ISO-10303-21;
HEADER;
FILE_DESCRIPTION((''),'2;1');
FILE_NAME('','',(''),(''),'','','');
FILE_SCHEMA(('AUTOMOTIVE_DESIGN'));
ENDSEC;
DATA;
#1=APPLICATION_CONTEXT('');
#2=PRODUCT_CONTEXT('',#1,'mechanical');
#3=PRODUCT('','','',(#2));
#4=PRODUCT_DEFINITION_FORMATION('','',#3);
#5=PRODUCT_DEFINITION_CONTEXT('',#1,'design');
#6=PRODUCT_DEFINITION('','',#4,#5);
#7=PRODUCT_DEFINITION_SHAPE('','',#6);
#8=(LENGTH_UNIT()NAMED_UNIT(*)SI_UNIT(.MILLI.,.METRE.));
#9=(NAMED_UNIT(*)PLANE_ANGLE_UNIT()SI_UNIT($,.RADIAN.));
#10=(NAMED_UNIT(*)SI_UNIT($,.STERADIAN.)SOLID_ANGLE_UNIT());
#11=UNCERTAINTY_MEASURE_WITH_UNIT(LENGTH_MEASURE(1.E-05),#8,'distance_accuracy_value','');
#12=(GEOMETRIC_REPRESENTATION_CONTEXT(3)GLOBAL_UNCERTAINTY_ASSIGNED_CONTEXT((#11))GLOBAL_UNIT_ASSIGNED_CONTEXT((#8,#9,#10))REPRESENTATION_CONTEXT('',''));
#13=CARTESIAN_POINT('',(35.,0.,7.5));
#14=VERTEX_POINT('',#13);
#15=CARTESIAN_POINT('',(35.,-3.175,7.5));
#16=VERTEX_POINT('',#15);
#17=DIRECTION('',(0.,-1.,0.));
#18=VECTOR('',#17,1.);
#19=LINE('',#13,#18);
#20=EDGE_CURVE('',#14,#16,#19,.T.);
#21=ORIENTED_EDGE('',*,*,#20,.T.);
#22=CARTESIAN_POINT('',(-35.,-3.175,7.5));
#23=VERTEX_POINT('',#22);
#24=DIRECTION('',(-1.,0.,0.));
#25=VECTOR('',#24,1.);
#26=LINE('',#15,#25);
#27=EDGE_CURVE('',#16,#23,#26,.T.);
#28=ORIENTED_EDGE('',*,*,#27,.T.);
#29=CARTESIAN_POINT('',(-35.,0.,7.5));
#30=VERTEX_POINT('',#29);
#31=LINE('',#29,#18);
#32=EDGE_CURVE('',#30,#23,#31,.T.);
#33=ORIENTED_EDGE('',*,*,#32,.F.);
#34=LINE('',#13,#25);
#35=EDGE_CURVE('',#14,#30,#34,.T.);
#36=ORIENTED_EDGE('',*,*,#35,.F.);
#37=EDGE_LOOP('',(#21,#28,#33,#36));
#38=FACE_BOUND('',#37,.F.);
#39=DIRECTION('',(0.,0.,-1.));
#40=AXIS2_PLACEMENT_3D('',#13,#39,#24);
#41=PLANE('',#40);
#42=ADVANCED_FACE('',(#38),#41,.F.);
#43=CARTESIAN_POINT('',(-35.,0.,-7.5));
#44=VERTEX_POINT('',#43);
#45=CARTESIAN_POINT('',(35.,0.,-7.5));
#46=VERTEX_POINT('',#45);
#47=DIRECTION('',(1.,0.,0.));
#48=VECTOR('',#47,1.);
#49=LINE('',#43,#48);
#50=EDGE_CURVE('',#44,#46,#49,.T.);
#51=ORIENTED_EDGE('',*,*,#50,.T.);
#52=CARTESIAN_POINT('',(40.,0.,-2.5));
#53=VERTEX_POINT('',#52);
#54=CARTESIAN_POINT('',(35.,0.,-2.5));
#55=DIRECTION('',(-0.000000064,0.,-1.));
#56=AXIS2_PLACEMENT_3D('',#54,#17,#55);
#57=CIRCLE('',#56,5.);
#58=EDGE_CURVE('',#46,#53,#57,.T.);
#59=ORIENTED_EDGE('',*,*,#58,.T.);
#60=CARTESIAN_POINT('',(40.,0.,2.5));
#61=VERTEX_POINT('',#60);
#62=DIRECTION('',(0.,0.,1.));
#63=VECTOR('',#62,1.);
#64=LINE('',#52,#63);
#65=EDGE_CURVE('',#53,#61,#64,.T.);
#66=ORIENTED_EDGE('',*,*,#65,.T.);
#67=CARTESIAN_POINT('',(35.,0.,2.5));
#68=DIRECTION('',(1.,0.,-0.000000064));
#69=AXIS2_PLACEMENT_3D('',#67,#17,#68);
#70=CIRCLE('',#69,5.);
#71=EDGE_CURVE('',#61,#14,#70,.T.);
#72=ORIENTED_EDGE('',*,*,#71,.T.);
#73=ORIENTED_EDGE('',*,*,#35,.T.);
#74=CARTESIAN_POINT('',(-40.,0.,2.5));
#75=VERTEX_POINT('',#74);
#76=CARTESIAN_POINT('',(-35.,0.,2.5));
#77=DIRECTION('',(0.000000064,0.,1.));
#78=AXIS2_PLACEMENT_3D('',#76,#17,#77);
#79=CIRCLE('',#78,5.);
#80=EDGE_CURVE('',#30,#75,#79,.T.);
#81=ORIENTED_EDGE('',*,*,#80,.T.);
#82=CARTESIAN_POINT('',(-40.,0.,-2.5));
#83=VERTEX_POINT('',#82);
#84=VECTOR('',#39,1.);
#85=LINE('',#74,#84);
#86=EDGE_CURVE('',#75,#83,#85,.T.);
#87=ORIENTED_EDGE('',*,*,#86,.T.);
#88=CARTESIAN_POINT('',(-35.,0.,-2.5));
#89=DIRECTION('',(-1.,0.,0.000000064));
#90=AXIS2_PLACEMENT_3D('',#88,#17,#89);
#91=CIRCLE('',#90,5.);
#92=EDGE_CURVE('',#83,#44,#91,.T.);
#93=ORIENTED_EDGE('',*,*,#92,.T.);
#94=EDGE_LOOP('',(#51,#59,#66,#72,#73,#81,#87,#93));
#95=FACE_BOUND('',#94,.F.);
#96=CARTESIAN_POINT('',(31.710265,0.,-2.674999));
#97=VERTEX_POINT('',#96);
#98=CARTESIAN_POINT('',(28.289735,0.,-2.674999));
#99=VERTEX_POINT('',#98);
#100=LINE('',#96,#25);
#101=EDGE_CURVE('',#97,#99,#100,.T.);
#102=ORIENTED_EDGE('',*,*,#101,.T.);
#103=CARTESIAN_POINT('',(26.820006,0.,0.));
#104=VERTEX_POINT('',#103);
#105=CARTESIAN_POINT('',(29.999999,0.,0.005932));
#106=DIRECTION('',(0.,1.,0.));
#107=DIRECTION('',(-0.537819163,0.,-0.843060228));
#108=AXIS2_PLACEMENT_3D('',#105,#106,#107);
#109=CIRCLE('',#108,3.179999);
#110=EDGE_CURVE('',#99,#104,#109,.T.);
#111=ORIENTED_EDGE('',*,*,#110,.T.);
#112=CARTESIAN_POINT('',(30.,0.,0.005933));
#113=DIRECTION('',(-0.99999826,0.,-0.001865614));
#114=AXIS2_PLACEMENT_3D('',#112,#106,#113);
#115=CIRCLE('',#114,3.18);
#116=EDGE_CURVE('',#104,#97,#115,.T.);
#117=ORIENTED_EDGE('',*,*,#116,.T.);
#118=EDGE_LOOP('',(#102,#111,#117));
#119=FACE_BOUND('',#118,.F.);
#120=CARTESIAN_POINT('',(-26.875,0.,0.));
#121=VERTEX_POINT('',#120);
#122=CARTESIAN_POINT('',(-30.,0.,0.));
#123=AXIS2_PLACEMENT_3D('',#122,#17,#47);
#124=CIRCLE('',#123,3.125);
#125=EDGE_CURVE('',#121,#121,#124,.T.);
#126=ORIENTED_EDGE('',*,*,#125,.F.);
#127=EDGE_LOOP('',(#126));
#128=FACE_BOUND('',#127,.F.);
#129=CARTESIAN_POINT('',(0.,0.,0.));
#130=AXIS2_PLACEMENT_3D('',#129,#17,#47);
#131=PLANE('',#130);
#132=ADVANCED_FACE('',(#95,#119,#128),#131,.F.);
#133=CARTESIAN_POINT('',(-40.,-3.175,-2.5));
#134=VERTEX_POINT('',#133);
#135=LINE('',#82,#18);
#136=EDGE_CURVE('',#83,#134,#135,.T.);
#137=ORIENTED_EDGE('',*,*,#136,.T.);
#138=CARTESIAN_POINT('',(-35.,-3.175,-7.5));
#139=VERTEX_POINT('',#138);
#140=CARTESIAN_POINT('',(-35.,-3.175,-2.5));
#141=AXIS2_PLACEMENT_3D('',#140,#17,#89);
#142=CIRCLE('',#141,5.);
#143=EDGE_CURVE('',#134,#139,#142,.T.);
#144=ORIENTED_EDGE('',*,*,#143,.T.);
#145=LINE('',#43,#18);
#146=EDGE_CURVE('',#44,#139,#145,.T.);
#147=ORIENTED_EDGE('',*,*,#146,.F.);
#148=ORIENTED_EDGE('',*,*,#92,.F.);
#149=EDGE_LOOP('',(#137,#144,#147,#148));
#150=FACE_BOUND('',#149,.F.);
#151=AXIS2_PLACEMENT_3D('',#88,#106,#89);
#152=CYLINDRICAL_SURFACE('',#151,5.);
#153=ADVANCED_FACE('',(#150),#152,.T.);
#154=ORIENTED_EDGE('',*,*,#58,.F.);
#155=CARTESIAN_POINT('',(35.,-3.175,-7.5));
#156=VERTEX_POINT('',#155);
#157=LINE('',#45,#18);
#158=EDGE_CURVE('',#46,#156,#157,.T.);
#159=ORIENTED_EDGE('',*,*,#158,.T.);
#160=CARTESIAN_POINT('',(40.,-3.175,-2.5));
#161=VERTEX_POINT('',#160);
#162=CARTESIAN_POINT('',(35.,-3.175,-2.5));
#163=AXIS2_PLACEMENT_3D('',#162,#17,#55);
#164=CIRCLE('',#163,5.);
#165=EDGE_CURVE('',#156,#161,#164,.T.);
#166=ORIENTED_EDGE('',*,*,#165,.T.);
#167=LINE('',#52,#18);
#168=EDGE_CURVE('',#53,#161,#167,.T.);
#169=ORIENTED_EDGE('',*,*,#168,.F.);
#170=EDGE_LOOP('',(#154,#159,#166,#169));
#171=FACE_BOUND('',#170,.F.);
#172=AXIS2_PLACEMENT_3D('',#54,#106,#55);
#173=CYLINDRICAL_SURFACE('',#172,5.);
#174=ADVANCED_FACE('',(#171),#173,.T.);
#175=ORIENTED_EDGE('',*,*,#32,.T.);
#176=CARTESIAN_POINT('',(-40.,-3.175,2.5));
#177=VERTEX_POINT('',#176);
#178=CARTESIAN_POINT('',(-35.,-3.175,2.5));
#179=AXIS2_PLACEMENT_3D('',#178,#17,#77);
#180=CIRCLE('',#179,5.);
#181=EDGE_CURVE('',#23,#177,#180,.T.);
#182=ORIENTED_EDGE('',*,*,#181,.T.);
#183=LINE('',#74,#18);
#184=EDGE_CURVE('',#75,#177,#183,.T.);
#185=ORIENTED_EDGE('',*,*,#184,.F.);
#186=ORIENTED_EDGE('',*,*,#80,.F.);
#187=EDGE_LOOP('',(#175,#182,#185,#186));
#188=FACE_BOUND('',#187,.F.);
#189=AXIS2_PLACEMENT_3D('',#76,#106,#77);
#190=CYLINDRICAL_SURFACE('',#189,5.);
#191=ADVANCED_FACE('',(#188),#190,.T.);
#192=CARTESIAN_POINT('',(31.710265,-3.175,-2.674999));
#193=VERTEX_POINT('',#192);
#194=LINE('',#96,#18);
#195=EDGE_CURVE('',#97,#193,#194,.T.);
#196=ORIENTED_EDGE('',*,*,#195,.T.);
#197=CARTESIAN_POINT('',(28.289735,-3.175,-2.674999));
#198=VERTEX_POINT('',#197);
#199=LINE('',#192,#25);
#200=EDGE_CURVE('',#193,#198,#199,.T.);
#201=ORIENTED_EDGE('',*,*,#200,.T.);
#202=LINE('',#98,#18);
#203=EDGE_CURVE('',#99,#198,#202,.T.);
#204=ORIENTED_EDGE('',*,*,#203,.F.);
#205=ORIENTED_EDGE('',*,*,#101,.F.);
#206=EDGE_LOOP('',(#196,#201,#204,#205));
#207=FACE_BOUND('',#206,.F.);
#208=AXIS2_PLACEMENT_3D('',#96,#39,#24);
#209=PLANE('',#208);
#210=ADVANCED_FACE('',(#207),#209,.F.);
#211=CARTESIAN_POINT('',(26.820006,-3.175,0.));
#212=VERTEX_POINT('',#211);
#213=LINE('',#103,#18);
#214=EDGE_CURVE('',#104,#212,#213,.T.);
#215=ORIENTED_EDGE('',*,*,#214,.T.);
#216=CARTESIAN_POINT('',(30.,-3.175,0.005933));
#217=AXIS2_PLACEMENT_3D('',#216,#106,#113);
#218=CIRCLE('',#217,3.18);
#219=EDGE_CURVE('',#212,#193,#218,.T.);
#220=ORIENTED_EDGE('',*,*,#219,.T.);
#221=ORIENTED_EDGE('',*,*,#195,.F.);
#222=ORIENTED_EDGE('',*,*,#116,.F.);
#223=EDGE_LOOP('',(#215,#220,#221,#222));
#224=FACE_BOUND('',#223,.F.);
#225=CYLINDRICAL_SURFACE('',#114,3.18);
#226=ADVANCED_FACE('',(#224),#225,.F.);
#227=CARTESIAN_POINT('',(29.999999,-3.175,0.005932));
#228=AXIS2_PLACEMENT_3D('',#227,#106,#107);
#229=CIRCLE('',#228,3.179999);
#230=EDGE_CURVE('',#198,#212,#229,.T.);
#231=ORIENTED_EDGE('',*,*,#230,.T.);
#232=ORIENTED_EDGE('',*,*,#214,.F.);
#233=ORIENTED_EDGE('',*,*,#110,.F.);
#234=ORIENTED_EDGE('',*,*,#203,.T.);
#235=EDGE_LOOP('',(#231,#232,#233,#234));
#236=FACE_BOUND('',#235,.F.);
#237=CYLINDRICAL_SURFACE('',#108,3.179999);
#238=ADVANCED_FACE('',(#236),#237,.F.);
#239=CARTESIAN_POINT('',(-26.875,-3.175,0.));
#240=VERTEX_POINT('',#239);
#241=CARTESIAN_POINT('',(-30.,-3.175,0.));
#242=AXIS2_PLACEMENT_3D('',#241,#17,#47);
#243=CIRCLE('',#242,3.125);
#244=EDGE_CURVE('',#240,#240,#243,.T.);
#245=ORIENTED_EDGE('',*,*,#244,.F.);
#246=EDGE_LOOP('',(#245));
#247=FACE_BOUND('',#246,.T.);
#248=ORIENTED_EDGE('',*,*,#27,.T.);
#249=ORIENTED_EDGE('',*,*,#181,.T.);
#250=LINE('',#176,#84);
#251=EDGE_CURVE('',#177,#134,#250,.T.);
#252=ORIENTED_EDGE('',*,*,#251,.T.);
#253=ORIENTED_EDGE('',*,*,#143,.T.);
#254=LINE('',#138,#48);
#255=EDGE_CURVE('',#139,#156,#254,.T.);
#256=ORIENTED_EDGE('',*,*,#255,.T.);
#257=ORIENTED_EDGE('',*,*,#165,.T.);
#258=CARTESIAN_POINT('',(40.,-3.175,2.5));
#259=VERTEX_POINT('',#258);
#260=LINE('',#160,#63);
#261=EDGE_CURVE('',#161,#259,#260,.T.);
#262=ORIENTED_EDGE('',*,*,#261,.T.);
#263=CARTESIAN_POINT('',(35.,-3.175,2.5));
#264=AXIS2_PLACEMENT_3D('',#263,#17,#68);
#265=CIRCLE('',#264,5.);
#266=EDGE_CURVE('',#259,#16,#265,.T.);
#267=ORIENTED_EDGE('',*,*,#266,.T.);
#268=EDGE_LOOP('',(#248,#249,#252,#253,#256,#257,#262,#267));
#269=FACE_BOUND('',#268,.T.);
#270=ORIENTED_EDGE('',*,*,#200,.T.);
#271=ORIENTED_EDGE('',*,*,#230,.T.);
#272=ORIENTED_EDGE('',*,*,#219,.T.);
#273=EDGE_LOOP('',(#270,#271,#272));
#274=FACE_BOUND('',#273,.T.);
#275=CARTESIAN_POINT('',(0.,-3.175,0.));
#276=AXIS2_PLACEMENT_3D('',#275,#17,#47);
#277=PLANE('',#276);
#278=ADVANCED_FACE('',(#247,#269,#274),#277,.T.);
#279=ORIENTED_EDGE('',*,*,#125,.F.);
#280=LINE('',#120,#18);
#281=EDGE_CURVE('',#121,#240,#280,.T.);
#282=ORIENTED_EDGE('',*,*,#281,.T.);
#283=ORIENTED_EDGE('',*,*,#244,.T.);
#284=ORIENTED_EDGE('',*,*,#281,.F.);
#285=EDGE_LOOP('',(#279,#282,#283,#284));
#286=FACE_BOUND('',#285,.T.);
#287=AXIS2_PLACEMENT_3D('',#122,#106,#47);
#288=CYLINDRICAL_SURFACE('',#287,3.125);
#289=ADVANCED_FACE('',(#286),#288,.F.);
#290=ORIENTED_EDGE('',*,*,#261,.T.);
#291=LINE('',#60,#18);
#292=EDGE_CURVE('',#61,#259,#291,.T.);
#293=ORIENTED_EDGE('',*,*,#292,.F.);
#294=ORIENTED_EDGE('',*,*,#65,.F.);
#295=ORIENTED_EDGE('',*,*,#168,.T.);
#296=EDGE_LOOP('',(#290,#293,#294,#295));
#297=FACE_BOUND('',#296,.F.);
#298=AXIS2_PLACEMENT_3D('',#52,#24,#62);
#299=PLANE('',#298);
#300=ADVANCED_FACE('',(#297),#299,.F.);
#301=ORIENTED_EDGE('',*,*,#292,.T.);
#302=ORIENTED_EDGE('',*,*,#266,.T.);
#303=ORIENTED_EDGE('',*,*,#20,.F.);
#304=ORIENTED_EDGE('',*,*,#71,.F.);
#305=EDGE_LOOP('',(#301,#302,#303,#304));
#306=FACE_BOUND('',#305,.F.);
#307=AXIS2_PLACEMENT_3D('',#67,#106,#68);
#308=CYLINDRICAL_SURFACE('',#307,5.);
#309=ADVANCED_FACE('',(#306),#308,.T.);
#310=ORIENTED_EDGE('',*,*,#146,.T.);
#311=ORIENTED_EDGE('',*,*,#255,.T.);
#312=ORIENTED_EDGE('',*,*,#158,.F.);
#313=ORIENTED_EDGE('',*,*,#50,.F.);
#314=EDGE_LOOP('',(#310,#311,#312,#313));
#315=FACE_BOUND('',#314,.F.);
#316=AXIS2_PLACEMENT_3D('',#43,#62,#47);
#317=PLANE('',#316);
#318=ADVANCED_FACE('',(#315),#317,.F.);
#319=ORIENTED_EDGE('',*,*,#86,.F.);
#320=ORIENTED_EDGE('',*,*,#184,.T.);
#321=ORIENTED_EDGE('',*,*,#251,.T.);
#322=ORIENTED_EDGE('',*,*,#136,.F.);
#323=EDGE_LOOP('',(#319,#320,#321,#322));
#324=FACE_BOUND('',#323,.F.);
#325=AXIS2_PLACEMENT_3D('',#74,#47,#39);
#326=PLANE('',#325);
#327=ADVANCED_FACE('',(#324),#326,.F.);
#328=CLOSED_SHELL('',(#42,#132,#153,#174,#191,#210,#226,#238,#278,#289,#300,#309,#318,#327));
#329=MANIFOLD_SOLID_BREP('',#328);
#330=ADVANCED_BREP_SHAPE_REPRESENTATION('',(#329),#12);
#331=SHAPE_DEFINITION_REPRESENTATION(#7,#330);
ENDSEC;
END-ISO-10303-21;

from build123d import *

# Parameters (mm, degrees)
F0_R     = 3.125
F1_DEPTH = 3.175


with BuildPart() as f1:
    # F0 (on Front) → F1 (new body)
    with BuildSketch(Plane.XZ):
        with BuildLine():
            ThreePointArc((40, 2.5), (38.535534, 6.035534), (35, 7.5))
            Line((35, 7.5), (-35, 7.5))
            ThreePointArc((-35, 7.5), (-38.535534, 6.035534), (-40, 2.5))
            Line((-40, 2.5), (-40, -2.5))
            ThreePointArc((-40, -2.5), (-38.535534, -6.035534), (-35, -7.5))
            Line((-35, -7.5), (35, -7.5))
            ThreePointArc((35, -7.5), (38.535534, -6.035534), (40, -2.5))
            Line((40, -2.5), (40, 2.5))
        make_face()
        with Locations((-30, 0)):
            Circle(F0_R, mode=Mode.SUBTRACT)
        with BuildLine():
            ThreePointArc((28.289735, -2.674999), (27.212965, -1.525353), (26.820006, 0))
            ThreePointArc((26.820006, 0), (31.526083, 2.79582), (31.710265, -2.674999))
            Line((31.710265, -2.674999), (28.289735, -2.674999))
        make_face(mode=Mode.SUBTRACT)
    extrude(amount=F1_DEPTH)


solid = f1.part
